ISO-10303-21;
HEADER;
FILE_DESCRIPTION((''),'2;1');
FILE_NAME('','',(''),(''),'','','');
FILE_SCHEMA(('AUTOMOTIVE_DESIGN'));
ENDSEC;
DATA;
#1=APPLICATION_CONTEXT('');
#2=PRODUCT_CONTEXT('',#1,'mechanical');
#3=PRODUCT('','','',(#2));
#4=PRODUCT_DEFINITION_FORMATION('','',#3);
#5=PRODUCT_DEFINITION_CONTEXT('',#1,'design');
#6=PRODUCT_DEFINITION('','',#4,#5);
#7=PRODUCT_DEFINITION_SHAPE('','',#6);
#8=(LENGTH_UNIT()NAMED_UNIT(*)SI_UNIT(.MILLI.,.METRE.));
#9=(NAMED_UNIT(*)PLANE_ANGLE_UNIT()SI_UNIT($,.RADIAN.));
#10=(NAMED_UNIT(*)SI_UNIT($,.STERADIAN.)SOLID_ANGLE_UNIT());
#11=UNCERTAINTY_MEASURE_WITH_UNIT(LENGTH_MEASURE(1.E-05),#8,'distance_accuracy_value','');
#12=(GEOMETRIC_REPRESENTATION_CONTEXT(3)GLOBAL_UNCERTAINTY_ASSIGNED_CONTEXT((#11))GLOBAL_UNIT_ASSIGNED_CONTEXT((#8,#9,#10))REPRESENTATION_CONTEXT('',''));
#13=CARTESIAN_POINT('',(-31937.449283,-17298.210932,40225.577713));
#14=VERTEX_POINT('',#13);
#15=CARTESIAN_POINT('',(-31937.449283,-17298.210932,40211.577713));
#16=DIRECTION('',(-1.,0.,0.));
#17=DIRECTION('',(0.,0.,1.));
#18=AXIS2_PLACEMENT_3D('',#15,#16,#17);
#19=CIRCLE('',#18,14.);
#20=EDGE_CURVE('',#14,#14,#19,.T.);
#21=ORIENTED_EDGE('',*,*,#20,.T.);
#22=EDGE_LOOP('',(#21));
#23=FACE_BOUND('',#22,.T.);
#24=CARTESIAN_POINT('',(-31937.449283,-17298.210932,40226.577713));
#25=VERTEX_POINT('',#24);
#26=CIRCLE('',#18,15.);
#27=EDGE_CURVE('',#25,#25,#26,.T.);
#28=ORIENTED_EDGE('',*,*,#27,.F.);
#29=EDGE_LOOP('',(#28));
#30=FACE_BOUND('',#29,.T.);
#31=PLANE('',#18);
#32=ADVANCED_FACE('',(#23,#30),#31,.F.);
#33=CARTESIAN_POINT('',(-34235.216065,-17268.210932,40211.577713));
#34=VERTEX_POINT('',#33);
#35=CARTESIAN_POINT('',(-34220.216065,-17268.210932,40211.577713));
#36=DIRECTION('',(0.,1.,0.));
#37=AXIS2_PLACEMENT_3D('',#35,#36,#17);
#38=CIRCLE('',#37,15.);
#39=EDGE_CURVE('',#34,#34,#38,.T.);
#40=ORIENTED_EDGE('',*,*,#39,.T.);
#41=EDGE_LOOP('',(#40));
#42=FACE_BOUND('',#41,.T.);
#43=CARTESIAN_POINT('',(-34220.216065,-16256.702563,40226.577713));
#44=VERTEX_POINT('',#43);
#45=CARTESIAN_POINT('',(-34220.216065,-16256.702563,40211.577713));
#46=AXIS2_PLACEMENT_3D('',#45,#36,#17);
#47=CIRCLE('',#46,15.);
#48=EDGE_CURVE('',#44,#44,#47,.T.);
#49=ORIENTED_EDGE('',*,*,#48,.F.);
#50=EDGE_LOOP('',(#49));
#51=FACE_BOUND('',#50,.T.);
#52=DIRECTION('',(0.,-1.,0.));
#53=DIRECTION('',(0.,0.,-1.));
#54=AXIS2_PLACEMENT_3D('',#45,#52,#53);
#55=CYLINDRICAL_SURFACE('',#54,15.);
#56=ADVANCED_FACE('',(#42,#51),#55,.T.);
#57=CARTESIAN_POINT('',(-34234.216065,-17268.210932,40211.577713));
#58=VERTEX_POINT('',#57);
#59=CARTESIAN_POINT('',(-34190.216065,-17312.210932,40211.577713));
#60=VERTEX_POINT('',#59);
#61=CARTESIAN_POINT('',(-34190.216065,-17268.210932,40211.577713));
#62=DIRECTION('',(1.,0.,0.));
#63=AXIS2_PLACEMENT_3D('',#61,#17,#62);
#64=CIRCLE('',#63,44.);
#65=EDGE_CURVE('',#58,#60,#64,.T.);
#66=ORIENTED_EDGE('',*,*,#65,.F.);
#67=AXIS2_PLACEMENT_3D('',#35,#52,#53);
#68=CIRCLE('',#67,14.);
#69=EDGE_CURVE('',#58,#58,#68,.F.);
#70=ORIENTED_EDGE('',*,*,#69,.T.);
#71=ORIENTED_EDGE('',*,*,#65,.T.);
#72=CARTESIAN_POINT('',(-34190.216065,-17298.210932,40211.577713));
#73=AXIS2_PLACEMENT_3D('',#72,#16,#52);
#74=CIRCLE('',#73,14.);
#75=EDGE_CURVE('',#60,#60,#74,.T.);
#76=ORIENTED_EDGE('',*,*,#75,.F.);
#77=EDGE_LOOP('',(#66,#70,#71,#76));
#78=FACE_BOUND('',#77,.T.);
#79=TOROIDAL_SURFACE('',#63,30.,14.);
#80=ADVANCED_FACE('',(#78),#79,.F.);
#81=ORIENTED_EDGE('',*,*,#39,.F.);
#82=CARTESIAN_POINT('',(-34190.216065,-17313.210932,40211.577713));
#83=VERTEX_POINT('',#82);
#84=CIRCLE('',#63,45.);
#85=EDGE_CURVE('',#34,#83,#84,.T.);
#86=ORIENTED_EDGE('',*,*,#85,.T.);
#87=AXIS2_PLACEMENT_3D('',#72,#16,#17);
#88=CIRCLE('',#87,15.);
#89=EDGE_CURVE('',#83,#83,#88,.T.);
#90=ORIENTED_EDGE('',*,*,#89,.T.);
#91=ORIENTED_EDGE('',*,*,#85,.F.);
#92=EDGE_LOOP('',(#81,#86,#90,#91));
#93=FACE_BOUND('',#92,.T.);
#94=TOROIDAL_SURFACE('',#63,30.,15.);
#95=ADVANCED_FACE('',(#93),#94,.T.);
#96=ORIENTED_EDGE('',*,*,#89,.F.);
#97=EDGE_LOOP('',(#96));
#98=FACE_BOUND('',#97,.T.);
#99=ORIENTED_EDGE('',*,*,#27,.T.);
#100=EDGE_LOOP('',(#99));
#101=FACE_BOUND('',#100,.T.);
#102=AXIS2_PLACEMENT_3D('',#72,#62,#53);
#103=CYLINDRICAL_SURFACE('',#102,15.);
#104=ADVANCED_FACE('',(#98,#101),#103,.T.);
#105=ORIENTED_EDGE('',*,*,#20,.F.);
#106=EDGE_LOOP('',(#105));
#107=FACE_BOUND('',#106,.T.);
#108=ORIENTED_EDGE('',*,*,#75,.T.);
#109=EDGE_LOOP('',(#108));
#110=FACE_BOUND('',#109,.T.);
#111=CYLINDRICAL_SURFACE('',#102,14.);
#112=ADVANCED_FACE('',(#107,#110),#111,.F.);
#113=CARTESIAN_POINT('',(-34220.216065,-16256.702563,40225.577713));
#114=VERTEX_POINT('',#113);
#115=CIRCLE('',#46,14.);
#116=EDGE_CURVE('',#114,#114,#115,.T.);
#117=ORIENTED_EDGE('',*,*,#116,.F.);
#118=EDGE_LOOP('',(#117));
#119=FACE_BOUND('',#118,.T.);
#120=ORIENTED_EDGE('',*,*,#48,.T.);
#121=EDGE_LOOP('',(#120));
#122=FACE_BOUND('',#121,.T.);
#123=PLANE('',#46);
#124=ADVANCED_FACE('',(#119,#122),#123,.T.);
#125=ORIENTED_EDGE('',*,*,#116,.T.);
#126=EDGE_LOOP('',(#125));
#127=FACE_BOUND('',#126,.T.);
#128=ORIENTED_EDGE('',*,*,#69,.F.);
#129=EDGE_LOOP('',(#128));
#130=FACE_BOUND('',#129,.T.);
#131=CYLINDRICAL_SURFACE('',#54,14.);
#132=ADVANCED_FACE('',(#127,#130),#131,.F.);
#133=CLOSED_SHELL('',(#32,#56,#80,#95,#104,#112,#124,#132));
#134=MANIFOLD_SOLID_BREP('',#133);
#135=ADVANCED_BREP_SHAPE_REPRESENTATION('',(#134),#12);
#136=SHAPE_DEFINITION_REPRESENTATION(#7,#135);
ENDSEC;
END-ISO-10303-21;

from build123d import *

# Parameters (mm, degrees)
SWEEP_THIN1_PROFILE_R   = 15
SWEEP_THIN1_PROFILE_R_2 = 14


with BuildPart() as part:
    # Sweep-Thin1: sweep along a curve in space
    with BuildLine() as sweep_thin1_path:
        Line((-34220.216064675, -16256.702563295, 40211.577712625), (-34220.216064675, -17268.210932222, 40211.577712625))
        ThreePointArc((-34190.216064675, -17298.210932222, 40211.577712625), (-34211.429268111, -17289.424135658, 40211.577712625), (-34220.216064675, -17268.210932222, 40211.577712625))
        Line((-34190.216064675, -17298.210932222, 40211.577712625), (-31937.449283249, -17298.210932222, 40211.577712625))
    # Sweep-Thin1 profile (on start of the path) → Sweep-Thin1 (sweep)
    with BuildSketch(Plane(origin=(-34220.216064675, -16256.702563295, 40211.577712625), x_dir=(0, 0, -1), z_dir=(0, -1, 0))):
        Circle(SWEEP_THIN1_PROFILE_R)
        Circle(SWEEP_THIN1_PROFILE_R_2, mode=Mode.SUBTRACT)
    sweep(path=sweep_thin1_path.line)


solid = part.part
